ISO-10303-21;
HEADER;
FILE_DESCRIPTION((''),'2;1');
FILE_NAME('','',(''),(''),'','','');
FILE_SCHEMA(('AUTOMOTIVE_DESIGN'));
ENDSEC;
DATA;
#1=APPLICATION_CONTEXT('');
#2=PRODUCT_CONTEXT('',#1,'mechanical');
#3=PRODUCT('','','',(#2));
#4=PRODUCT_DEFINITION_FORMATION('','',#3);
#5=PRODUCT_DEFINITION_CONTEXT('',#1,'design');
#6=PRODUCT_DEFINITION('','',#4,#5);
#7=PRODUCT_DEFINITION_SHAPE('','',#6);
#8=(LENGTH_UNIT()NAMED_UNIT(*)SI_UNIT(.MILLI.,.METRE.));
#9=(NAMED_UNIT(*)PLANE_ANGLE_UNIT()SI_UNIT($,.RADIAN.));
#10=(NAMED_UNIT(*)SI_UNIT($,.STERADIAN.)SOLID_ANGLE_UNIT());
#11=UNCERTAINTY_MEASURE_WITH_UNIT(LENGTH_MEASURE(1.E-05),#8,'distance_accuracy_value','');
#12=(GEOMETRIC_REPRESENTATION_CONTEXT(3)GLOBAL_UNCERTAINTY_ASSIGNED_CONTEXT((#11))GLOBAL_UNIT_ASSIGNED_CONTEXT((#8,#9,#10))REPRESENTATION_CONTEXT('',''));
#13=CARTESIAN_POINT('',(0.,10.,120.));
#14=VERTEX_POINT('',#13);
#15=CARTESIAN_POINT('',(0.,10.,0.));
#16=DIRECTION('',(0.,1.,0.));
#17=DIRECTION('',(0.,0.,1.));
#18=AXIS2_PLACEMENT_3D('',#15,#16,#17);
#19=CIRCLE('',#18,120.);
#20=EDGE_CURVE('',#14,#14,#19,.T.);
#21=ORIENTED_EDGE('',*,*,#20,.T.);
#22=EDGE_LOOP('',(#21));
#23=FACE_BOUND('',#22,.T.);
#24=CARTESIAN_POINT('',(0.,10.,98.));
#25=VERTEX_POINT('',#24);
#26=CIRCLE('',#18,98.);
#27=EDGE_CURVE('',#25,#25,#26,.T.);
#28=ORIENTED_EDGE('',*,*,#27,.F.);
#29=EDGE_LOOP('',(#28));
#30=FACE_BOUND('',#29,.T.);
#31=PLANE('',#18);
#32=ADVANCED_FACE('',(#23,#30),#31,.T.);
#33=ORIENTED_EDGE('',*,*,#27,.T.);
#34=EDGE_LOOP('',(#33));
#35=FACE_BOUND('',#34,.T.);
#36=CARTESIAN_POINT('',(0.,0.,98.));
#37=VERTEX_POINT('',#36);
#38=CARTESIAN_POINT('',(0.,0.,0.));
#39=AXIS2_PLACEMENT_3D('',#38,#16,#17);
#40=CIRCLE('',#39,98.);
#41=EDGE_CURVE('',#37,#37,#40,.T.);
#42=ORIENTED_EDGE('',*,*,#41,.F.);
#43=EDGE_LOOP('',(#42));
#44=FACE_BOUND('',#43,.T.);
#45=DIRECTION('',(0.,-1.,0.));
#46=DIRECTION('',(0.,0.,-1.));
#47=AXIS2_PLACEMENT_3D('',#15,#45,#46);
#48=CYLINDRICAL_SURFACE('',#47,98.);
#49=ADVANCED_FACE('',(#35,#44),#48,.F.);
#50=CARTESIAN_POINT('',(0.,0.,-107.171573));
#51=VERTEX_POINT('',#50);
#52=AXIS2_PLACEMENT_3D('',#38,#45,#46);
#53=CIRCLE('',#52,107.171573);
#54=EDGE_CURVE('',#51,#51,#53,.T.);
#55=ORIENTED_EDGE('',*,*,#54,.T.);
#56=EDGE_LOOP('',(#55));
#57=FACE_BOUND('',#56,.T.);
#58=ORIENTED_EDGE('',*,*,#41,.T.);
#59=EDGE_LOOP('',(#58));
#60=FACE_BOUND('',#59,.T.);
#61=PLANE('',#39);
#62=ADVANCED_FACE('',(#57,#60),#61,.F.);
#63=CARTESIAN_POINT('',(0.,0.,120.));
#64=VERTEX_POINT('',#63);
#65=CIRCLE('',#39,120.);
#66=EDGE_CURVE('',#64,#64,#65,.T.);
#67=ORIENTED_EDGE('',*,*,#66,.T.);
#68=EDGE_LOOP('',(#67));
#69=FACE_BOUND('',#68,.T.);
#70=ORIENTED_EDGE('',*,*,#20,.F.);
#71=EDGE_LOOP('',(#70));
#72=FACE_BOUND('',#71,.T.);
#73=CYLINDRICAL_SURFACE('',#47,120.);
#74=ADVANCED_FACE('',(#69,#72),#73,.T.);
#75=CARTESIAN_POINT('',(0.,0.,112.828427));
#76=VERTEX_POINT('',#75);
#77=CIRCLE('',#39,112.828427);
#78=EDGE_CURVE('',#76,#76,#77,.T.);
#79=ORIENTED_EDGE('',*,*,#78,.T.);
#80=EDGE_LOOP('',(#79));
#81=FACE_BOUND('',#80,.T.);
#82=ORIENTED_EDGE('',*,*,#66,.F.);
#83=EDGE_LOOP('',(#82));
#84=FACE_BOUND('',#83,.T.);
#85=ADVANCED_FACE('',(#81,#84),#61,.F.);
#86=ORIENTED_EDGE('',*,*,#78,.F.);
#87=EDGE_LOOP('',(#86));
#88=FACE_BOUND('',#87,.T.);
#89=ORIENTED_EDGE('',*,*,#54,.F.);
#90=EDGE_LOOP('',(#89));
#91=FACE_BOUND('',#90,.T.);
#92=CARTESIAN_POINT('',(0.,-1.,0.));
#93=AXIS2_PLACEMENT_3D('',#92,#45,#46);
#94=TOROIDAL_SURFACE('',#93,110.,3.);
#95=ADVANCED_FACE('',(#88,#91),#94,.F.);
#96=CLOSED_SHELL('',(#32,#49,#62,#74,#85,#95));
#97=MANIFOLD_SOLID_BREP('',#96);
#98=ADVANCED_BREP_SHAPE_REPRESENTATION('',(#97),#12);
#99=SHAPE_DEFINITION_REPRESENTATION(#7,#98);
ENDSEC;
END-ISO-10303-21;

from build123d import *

# Parameters (mm, degrees)
SKETCH1_R           = 120
SKETCH1_R_2         = 98
BOSS_EXTRUDE1_DEPTH = 10
SKETCH2_R           = 3


with BuildPart() as part:
    # Sketch1 → Boss-Extrude1 (new body)
    with BuildSketch(Plane(origin=(0, 0, 0), x_dir=(1, 0, 0), z_dir=(0, 1, 0))):
        Circle(SKETCH1_R)
        Circle(SKETCH1_R_2, mode=Mode.SUBTRACT)
    extrude(amount=BOSS_EXTRUDE1_DEPTH)

    # Sketch2 → Cut-Revolve1 (revolve, cut)
    with BuildSketch(Plane.XY):
        with Locations((110, -1)):
            Circle(SKETCH2_R)
    revolve(axis=Axis((0, 0, 0), (0, 1, 0)), mode=Mode.SUBTRACT)


solid = part.part
